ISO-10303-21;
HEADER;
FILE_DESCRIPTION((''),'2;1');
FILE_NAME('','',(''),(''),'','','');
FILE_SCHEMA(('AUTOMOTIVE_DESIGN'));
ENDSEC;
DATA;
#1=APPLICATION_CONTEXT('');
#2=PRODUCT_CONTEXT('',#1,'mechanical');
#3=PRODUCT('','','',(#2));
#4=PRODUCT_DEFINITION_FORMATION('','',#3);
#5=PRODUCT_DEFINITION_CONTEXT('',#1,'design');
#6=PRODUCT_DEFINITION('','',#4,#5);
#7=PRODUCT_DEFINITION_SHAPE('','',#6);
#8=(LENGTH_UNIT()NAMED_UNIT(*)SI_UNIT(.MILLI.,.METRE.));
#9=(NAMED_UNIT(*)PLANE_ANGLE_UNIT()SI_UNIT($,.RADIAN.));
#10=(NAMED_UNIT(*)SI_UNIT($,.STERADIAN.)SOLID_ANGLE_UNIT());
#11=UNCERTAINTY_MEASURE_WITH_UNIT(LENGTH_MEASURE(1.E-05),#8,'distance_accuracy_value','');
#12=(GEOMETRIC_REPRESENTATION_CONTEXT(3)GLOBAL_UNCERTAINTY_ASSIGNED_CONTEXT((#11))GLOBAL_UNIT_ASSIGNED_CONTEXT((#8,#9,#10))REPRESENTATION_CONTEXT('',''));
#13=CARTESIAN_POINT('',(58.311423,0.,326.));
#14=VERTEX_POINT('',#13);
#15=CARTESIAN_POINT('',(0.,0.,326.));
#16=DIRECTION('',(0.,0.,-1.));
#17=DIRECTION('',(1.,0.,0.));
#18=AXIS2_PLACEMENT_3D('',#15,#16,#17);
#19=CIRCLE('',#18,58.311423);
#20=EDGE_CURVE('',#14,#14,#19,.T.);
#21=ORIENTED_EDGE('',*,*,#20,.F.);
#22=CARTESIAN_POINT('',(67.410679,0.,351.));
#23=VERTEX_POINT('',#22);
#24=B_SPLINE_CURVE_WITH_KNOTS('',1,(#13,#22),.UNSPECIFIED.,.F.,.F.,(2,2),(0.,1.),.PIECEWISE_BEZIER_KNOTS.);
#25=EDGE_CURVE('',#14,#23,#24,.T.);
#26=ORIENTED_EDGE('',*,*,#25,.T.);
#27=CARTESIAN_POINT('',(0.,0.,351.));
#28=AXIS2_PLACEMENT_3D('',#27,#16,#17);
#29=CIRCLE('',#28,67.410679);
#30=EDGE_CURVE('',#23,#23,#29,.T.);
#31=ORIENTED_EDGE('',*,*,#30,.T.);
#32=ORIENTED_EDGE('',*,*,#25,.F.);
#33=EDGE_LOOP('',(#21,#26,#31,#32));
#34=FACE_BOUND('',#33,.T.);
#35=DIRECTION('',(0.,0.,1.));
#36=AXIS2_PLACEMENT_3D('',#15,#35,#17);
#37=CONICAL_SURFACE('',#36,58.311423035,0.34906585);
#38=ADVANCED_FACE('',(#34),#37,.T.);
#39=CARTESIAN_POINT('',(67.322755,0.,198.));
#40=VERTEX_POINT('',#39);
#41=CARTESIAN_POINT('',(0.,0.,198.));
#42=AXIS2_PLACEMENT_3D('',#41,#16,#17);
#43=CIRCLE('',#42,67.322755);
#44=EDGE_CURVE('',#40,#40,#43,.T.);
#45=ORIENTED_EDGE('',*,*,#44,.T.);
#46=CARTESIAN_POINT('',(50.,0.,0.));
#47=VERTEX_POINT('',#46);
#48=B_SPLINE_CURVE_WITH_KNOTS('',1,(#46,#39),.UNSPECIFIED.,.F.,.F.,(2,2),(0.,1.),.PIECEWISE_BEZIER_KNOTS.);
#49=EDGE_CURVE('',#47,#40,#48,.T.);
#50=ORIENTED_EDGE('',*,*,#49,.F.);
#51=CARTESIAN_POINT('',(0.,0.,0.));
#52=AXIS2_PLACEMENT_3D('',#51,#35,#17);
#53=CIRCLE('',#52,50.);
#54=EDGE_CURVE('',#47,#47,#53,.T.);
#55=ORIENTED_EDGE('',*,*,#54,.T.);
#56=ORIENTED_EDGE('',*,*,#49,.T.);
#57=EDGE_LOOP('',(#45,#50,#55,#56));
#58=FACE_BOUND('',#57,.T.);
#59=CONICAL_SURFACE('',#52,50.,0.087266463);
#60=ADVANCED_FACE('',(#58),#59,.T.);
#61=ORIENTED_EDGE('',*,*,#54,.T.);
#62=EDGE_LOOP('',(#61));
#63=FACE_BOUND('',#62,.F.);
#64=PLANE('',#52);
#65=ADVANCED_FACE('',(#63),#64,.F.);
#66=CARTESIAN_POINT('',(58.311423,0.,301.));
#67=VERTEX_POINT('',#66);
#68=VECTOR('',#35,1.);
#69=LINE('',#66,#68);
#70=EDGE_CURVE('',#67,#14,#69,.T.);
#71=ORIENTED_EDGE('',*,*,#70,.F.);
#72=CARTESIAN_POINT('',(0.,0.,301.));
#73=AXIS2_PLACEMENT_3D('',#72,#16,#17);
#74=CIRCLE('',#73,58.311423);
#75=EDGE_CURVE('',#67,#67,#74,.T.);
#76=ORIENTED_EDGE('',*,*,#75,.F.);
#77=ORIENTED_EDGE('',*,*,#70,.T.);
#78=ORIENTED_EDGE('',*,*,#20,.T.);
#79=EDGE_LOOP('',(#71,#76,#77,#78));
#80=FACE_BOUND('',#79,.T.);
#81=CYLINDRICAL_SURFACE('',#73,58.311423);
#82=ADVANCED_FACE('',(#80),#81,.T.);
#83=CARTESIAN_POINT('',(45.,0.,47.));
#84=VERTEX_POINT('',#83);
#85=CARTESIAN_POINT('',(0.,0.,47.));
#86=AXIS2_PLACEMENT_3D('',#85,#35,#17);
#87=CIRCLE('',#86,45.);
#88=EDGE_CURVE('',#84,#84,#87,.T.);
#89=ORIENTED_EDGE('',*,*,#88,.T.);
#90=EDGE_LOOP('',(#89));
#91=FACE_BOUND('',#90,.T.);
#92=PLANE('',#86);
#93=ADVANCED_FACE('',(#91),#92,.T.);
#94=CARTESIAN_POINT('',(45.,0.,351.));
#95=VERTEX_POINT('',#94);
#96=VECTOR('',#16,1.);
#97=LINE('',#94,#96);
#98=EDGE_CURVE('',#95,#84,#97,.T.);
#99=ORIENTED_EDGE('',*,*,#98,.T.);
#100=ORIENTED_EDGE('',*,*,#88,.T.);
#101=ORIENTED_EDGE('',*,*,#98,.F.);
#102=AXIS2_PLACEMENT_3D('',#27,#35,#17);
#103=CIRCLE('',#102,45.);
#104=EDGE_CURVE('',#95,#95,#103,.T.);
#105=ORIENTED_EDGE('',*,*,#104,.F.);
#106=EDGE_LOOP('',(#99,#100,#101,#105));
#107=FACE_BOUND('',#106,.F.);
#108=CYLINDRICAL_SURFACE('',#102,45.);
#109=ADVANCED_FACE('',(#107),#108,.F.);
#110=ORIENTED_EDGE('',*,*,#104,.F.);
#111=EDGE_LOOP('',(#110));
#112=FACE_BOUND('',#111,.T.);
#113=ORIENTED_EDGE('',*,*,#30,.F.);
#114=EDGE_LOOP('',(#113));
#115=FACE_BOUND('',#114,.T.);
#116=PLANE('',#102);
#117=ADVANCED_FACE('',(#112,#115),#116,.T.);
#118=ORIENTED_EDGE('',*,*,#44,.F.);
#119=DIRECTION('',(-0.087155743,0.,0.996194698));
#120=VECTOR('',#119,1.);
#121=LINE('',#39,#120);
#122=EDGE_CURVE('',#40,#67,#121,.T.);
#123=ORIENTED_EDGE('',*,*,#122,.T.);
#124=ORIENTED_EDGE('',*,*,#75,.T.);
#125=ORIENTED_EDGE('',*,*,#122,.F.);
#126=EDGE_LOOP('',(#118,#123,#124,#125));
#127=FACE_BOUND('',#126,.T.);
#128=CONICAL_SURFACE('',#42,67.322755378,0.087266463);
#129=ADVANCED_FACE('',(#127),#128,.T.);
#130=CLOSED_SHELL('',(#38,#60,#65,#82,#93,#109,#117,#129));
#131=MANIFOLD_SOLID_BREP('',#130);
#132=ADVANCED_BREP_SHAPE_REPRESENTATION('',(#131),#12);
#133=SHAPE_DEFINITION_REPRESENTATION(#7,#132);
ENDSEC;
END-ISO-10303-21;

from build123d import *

# Parameters (mm, degrees)
F0_R      = 50
F1_DEPTH  = 198
F1_TAPER  = -5
F1_FACE_R = 67.3227553781
F2_DEPTH  = 103
F2_TAPER  = 5
F3_DEPTH  = 25
F3_FACE_R = 58.311423035
F4_DEPTH  = 25
F4_TAPER  = -20
F5_R      = 45
F6_DEPTH  = 304


with BuildPart() as f1:
    # F0 (on Top) → F1 (new body)
    with BuildSketch(Plane.XY):
        Circle(F0_R)
    extrude(amount=F1_DEPTH, taper=F1_TAPER)

    # F1_face (on face) → F2 (join)
    with BuildSketch(Plane.XY.offset(198)):
        Circle(F1_FACE_R)
    extrude(amount=F2_DEPTH, taper=F2_TAPER)

    # F3 (add): a face of the model
    f3_faces = [f1.faces().sort_by_distance(p)[0] for p in [
        (0, 0, 301),
    ]]
    extrude(f3_faces, amount=F3_DEPTH)

    # F3_face (on face) → F4 (join)
    with BuildSketch(Plane.XY.offset(326)):
        Circle(F3_FACE_R)
    extrude(amount=F4_DEPTH, taper=F4_TAPER)

    # F5 (on face) → F6 (cut)
    with BuildSketch(Plane.XY.offset(351)):
        Circle(F5_R)
    extrude(amount=-F6_DEPTH, mode=Mode.SUBTRACT)


solid = f1.part
